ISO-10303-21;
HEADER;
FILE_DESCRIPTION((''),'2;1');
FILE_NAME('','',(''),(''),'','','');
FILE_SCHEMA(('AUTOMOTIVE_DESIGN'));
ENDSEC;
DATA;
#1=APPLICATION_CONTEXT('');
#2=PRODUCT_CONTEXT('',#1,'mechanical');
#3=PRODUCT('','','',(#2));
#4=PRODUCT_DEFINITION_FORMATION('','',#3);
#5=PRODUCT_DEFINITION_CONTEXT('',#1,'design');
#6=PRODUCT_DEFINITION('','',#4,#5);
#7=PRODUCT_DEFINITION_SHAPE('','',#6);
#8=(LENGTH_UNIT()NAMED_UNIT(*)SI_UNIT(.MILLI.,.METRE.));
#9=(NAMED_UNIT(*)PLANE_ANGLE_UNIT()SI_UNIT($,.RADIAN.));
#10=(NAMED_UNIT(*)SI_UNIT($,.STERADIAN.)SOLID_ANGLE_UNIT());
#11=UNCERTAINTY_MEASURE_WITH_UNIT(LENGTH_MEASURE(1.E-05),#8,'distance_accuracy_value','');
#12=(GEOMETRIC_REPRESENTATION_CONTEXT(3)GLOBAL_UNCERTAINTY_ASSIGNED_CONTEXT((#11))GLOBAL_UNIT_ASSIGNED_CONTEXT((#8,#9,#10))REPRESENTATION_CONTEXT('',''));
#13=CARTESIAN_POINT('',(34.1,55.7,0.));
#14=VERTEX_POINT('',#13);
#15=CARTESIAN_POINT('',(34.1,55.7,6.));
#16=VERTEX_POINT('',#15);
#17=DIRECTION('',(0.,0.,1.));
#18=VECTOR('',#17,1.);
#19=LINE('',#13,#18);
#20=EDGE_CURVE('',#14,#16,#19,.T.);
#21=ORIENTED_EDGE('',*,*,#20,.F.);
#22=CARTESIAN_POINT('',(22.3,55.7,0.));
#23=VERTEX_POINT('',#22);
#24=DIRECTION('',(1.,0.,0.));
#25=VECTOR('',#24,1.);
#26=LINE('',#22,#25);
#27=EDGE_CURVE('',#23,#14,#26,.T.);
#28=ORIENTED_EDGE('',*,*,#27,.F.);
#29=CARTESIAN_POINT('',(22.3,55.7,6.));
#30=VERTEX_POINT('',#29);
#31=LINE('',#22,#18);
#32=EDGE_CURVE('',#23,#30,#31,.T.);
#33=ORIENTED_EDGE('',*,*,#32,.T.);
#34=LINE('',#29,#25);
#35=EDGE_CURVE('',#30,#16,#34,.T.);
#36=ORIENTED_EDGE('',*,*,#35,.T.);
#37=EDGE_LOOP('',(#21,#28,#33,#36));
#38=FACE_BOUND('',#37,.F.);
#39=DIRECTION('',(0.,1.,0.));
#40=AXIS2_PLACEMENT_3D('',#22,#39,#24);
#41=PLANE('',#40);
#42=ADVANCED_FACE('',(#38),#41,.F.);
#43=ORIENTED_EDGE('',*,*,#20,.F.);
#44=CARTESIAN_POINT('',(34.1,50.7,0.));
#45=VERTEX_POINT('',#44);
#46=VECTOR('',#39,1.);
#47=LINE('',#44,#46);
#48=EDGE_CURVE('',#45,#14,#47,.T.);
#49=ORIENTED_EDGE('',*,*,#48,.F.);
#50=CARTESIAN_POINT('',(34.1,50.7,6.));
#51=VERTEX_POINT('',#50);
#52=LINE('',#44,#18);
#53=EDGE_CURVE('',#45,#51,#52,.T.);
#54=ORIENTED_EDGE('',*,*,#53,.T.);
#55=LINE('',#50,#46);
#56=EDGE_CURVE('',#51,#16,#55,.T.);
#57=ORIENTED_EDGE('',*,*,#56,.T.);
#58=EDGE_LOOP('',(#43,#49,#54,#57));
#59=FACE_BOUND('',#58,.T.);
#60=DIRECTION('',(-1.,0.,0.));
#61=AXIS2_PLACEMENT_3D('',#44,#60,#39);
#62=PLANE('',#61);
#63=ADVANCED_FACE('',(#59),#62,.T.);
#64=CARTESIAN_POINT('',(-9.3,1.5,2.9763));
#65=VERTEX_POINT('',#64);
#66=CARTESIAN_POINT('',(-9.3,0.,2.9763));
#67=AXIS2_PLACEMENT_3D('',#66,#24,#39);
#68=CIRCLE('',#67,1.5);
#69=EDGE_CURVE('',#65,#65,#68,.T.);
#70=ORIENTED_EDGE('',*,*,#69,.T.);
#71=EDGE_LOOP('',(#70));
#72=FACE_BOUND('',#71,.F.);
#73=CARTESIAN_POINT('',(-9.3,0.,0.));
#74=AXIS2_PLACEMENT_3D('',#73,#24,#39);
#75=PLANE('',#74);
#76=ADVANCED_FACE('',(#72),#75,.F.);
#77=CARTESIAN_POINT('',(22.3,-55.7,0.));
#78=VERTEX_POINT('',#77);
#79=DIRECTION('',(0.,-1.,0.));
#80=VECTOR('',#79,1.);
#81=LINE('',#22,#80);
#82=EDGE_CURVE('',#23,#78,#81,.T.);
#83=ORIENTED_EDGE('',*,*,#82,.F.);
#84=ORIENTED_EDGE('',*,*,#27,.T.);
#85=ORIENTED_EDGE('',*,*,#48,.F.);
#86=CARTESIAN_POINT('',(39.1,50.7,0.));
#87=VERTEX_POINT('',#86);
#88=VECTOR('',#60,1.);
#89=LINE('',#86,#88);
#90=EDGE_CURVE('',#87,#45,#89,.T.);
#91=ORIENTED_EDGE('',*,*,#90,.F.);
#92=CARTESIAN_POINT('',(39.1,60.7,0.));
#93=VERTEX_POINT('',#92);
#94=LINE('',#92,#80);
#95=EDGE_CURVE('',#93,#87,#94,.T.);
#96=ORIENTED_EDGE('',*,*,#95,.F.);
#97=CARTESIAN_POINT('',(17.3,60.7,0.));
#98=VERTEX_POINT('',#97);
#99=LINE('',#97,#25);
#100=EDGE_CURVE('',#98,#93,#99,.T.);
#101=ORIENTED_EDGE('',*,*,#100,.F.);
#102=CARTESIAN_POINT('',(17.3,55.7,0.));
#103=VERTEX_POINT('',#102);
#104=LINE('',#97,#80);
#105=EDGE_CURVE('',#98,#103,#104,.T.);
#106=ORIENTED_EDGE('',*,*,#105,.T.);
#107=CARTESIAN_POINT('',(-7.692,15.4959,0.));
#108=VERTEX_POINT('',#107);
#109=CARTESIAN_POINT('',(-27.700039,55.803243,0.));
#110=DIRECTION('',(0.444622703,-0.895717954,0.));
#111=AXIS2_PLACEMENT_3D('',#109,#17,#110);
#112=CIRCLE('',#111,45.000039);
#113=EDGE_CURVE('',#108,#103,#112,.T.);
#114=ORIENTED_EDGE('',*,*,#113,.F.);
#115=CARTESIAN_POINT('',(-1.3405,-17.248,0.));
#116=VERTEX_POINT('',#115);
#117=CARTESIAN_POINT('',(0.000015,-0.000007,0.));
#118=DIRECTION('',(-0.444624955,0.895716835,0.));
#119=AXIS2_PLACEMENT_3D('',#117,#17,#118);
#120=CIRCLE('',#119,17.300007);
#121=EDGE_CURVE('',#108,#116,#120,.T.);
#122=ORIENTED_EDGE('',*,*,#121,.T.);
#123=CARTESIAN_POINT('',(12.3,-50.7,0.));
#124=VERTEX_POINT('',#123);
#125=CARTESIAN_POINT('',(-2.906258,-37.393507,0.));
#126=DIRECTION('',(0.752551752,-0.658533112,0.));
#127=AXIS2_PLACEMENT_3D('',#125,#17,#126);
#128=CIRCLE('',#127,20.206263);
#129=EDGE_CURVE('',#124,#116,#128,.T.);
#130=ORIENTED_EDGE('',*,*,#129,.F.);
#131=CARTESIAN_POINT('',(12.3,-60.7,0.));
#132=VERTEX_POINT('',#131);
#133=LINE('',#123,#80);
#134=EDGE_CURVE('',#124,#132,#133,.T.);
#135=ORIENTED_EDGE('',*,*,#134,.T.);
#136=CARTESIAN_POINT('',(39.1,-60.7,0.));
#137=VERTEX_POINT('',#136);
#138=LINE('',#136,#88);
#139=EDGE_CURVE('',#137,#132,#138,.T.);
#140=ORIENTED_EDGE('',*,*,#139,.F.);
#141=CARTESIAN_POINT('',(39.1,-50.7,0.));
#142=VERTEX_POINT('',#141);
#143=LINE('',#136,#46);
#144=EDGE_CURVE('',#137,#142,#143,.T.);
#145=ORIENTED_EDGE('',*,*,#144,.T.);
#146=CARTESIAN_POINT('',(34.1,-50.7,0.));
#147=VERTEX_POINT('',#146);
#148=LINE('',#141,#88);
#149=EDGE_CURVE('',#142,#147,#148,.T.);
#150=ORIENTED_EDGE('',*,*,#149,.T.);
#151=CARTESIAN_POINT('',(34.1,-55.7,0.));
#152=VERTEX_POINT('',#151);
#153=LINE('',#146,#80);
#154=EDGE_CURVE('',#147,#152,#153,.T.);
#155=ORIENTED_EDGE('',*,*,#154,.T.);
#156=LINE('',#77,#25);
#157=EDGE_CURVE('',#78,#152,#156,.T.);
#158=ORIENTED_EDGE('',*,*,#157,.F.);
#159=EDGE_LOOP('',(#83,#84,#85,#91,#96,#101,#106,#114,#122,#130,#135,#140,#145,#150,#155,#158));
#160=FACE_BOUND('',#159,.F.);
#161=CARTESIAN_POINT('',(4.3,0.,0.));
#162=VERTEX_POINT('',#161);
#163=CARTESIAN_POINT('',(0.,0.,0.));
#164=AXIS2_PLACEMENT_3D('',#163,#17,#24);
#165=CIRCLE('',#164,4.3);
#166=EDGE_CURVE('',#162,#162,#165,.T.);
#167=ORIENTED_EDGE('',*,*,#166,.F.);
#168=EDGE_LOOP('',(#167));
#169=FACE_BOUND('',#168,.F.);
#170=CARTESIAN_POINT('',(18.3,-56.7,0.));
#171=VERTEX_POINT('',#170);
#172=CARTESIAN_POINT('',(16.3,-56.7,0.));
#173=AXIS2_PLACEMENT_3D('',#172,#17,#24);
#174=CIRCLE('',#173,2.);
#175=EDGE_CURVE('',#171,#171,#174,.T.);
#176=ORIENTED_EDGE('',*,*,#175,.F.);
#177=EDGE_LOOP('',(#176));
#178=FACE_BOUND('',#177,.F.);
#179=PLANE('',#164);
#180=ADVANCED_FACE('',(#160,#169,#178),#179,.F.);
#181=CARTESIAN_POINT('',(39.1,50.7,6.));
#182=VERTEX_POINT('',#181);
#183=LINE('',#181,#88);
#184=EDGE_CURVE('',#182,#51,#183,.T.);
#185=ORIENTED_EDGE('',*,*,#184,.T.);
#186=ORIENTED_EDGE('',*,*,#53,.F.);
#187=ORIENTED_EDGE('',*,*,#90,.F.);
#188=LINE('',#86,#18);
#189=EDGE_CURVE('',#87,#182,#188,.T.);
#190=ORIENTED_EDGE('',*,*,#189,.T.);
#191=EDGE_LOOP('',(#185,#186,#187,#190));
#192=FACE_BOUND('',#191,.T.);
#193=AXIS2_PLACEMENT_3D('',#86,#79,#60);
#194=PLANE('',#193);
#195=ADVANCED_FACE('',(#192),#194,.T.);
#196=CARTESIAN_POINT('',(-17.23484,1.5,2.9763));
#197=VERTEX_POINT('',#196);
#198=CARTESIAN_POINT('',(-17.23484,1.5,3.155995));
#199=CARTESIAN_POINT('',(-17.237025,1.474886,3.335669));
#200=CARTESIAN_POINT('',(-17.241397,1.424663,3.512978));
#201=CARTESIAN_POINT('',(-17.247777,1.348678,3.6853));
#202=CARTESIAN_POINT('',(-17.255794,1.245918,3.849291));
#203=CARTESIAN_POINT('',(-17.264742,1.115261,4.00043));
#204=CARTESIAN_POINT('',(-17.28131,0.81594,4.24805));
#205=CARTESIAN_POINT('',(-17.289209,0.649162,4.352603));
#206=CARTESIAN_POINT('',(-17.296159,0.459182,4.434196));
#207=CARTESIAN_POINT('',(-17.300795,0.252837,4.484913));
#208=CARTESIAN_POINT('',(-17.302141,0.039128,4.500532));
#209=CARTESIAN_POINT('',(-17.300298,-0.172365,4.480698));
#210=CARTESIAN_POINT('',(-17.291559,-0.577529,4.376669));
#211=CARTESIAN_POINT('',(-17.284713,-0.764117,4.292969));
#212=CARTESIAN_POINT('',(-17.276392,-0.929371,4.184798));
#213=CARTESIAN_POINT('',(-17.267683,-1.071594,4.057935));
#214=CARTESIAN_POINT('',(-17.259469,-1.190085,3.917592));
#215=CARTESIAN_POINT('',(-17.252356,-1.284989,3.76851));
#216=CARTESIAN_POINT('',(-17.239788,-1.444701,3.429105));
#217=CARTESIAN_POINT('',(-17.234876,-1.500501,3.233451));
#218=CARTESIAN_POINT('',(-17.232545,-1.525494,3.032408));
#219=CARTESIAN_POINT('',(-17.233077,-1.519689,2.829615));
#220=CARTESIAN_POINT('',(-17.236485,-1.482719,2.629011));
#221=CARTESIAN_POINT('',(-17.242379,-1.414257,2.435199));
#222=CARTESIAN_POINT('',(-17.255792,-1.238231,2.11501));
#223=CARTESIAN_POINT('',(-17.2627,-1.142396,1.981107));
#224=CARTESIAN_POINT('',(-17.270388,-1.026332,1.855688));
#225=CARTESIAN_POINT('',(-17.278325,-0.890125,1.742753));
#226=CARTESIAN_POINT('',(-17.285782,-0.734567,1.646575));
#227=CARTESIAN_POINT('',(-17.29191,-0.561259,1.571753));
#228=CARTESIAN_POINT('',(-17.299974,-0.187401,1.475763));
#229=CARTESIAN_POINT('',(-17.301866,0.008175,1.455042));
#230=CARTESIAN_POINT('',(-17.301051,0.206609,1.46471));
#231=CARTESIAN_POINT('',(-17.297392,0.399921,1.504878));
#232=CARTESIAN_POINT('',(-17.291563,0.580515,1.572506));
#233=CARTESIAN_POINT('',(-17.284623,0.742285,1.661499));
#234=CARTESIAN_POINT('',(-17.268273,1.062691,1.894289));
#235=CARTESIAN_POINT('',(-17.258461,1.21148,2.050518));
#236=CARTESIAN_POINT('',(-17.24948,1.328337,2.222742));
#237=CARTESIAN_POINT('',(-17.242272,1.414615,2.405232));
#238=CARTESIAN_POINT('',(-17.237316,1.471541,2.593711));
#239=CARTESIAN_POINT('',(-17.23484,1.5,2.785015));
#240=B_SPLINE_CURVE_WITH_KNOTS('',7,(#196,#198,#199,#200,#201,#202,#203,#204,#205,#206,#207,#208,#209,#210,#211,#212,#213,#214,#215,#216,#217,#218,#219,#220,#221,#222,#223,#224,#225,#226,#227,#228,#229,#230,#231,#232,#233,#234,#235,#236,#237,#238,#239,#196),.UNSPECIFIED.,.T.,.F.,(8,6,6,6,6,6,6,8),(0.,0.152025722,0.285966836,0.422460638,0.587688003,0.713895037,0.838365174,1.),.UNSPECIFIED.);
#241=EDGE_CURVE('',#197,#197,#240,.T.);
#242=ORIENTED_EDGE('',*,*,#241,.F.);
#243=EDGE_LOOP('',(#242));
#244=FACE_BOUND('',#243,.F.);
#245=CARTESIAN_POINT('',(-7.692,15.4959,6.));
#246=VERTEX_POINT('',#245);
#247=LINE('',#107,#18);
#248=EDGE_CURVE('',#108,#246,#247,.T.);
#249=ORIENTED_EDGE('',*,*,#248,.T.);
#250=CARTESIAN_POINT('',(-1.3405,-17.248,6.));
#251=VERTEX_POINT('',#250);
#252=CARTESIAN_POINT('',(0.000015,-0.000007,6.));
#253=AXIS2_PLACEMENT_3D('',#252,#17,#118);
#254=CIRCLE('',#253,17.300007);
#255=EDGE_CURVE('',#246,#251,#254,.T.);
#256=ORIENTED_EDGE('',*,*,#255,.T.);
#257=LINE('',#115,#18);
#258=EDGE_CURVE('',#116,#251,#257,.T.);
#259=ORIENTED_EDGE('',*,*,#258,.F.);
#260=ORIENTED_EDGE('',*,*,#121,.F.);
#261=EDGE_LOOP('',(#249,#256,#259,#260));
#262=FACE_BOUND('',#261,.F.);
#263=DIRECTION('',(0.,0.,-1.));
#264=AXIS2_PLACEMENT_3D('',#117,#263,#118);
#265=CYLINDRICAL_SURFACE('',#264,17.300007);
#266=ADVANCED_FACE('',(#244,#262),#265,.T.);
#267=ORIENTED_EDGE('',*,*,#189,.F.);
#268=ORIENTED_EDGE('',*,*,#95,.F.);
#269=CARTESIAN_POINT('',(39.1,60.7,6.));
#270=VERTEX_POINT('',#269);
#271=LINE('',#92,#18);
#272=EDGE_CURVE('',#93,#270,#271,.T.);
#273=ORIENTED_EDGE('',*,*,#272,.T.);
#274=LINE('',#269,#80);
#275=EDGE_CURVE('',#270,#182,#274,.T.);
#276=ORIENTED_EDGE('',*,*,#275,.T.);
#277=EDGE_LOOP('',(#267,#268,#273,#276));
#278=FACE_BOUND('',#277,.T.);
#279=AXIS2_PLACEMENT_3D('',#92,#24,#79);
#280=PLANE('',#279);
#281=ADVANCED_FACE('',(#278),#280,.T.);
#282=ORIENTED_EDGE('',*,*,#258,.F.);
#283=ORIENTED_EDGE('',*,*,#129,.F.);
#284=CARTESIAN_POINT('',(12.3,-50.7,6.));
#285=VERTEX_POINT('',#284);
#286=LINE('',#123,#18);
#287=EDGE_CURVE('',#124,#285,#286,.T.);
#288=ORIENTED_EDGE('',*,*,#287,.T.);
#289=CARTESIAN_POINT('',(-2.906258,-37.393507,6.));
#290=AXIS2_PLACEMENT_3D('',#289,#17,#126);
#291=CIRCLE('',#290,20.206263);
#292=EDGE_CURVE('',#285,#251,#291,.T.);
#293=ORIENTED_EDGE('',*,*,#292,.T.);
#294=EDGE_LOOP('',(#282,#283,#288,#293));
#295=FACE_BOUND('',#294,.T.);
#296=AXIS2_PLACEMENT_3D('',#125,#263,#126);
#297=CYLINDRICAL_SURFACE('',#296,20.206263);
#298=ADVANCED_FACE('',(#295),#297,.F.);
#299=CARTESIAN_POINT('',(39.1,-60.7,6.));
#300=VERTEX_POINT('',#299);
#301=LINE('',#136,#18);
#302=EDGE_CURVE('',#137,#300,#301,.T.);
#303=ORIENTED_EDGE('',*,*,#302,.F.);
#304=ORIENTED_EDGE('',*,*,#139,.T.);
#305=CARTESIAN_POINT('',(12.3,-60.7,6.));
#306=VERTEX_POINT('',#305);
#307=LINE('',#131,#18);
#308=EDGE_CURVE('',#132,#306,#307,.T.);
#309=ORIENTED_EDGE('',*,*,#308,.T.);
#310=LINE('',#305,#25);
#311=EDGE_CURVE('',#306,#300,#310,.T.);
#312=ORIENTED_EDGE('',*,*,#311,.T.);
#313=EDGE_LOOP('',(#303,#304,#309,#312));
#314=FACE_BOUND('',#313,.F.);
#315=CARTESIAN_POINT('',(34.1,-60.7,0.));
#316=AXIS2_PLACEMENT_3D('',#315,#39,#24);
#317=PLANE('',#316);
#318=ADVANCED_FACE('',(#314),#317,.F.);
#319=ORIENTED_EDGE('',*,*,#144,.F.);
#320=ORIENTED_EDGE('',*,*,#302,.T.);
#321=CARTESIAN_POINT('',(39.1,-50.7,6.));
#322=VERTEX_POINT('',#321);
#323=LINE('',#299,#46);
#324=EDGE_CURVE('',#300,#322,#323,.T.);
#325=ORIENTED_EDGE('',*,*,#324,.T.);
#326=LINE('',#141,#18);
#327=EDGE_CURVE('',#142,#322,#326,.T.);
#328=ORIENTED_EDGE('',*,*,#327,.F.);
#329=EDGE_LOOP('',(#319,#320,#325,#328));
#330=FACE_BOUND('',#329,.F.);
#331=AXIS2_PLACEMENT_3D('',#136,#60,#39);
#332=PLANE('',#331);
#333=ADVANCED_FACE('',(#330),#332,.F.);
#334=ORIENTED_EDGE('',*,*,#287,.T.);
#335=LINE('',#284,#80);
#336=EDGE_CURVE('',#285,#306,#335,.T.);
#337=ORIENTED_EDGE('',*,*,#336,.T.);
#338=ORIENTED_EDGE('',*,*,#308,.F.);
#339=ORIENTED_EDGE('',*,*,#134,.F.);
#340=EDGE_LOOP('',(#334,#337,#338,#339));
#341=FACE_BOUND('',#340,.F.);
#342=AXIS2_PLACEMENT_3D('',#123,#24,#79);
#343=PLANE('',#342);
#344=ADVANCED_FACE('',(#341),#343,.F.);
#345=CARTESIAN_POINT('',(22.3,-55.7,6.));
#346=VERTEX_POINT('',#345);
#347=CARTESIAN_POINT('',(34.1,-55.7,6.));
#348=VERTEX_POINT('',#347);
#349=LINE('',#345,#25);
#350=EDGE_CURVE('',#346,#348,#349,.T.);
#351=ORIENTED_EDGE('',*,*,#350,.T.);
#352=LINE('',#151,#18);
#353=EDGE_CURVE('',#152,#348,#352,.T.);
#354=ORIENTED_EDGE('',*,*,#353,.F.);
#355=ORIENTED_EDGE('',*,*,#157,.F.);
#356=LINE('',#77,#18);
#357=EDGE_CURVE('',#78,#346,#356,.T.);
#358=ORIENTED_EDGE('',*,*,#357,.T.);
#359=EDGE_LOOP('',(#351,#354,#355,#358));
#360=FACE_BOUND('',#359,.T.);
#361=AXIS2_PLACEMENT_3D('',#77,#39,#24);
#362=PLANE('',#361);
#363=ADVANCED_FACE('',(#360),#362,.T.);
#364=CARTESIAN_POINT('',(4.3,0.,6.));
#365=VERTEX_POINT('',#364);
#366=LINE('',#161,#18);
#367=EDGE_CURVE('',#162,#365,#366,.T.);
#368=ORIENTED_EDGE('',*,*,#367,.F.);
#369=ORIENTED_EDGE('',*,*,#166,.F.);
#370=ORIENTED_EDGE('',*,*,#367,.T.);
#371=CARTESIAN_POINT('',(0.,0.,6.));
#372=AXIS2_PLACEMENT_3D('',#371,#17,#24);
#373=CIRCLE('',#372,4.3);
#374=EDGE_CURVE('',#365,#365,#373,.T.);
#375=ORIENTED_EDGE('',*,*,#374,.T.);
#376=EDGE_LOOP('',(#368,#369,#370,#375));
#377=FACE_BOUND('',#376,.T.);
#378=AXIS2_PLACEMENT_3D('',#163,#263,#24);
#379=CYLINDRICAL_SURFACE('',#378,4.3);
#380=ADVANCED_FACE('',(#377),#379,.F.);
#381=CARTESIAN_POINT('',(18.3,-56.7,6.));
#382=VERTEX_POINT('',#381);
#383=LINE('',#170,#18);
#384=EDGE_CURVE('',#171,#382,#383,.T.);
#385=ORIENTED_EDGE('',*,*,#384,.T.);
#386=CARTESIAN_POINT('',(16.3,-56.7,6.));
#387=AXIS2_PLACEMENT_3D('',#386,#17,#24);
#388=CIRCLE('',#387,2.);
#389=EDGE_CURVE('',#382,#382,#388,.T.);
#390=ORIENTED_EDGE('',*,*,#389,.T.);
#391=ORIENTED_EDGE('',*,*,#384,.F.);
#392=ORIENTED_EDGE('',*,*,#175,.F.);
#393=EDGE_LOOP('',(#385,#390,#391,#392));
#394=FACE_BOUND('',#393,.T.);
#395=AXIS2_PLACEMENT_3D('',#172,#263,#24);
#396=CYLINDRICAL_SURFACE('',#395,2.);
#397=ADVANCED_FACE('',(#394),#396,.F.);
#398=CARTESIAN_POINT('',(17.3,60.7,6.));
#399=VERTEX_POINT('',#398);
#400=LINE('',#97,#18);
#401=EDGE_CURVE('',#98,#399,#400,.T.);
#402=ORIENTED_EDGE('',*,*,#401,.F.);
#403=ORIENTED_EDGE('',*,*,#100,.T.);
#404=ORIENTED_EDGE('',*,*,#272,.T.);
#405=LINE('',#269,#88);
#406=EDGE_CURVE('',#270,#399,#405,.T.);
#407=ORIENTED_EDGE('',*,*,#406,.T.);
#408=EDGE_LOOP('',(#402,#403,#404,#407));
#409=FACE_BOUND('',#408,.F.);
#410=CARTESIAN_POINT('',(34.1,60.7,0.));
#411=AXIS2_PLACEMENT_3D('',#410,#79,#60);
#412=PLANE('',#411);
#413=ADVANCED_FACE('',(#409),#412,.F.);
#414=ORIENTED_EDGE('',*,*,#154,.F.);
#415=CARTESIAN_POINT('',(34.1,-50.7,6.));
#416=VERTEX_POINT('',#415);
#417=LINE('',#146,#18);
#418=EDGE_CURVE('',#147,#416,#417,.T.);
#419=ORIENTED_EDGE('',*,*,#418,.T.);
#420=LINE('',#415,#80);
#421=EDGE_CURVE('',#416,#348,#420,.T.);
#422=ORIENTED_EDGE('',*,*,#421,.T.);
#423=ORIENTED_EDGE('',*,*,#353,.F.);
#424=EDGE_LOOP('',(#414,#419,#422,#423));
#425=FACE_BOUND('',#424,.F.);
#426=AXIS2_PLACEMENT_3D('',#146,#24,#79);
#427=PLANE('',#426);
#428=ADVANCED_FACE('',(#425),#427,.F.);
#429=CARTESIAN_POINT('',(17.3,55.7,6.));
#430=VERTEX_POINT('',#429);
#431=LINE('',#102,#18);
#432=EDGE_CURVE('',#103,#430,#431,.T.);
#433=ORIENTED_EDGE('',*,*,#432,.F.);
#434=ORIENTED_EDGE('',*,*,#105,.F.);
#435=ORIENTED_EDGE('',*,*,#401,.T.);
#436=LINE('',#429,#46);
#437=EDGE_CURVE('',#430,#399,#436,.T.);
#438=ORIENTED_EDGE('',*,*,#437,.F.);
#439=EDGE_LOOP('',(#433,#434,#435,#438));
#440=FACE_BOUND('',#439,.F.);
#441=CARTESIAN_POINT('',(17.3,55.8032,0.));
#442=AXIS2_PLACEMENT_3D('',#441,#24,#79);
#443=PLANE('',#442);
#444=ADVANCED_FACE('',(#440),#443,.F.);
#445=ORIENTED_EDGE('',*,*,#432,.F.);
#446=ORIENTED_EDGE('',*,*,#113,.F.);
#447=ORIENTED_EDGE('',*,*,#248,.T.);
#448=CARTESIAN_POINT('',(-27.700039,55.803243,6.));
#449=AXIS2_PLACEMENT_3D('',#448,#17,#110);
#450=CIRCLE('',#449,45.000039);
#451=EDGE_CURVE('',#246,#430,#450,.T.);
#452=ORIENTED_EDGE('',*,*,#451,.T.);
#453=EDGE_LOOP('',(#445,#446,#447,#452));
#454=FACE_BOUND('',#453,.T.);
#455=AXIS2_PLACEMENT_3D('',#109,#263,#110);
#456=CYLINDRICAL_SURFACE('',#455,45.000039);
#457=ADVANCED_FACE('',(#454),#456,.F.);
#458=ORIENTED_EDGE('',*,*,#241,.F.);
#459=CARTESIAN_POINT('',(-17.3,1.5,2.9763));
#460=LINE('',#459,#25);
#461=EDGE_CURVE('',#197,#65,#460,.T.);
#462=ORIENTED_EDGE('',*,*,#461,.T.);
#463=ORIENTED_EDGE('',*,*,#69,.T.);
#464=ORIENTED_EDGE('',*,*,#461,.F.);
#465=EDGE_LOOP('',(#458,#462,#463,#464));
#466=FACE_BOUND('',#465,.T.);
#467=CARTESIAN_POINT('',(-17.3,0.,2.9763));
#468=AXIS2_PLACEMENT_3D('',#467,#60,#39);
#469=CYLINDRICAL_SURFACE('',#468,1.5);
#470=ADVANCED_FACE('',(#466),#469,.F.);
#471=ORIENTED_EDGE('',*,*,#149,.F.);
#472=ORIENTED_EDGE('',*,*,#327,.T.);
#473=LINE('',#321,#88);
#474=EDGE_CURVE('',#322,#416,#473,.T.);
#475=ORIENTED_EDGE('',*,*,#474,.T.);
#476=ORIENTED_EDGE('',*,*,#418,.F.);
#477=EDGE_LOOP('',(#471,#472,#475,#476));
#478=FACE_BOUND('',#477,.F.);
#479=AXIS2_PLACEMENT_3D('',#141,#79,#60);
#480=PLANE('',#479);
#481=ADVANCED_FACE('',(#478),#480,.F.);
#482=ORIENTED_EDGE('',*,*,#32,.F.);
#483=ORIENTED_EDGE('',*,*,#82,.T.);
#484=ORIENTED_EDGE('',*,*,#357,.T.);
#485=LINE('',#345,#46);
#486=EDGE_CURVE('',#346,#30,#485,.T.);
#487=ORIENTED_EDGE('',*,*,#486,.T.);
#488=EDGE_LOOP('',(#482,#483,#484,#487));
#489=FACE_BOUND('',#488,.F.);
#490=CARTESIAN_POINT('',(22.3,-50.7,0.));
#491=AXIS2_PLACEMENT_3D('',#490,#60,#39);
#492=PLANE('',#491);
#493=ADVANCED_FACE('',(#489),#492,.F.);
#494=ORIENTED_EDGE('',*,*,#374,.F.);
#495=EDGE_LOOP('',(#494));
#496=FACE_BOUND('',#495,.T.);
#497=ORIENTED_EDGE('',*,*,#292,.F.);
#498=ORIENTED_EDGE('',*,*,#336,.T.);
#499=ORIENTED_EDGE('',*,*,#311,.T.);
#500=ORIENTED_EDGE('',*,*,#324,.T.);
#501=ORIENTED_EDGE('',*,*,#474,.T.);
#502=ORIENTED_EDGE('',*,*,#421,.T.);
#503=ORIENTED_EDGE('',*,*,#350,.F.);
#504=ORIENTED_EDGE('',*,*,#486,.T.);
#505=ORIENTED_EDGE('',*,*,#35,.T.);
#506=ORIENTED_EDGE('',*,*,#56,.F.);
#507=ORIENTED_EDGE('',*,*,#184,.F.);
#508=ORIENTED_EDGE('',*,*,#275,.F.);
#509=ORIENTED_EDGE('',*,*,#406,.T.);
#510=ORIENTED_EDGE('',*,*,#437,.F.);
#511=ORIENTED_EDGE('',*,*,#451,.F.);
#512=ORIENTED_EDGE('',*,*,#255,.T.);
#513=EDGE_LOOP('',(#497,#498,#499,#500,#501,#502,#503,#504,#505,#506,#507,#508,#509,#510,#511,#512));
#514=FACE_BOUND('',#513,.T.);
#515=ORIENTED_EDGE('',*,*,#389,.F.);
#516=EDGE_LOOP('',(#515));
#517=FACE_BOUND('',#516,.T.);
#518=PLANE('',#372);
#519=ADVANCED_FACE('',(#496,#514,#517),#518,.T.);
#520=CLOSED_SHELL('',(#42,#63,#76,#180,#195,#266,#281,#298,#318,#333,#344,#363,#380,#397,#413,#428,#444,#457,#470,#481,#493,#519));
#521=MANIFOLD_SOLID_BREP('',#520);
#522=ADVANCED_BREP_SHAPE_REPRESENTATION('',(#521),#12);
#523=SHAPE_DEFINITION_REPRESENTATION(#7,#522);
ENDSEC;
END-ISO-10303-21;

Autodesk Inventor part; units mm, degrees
ref_plane "YZ Plane" through (0, 0, 0) normal (1, 0, 0) x (0, 1, 0)
ref_plane "XZ Plane" through (0, 0, 0) normal (0, 1, 0) x (-1, 0, 0)
sketch "Sketch1" plane through (0, 0, 0) normal (0, 0, 1) x (1, 0, 0)
  arc A0 (-7.692, 15.4959) -> (-1.3405, -17.248) centre (0, 0) ccw
  circle A1 centre (0, 0) radius 4.3
  line L0 (22.3, -55.7) -> (22.3, 55.7)
  line L1 (22.3, 55.7) -> (34.1, 55.7)
  line L2 (34.1, 60.7) -> (17.3, 60.7)
  line L3 (17.3, 60.7) -> (17.3, 55.7)
  line L4 (34.1, 60.7) -> (39.1, 60.7)
  line L5 (39.1, 60.7) -> (39.1, 50.7)
  line L6 (39.1, 50.7) -> (34.1, 50.7)
  line L7 (34.1, 50.7) -> (34.1, 55.7)
  line L8 (22.3, -55.7) -> (34.1, -55.7)
  line L9 (34.1, -60.7) -> (17.3, -60.7)
  line L10 (34.1, -60.7) -> (39.1, -60.7)
  line L11 (39.1, -60.7) -> (39.1, -50.7)
  line L12 (39.1, -50.7) -> (34.1, -50.7)
  line L13 (34.1, -50.7) -> (34.1, -55.7)
  arc A2 (-7.692, 15.4959) -> (17.3, 55.8032) centre (-27.7, 55.8032) ccw
  line L14 (22.3, -50.7) -> (22.3, -55.7)
  arc A3 (12.3, -50.7) -> (-1.3405, -17.248) centre (-2.9063, -37.3935) ccw
  circle A4 centre (16.3, -56.7) radius 2
  line L15 (12.3, -50.7) -> (12.3, -60.7)
  line L16 (12.3, -60.7) -> (17.3, -60.7)
  point P0 (17.3, -55.8032)
extrude "Extrusion3" add sketch "Sketch1" along normal blind 6
ref_plane "Work Plane2" through (-17.3, 0, 0) normal (1, 0, 0) x (0, 1, 0)
sketch "Sketch3" plane through (-17.3, 0, 0) normal (1, 0, 0) x (0, 1, 0)
  circle A0 centre (0, 2.9763) radius 1.5
  point P0 (0, 0)
extrude "Extrusion4" cut sketch "Sketch3" along normal blind 8
properties part number "tab_clips"
